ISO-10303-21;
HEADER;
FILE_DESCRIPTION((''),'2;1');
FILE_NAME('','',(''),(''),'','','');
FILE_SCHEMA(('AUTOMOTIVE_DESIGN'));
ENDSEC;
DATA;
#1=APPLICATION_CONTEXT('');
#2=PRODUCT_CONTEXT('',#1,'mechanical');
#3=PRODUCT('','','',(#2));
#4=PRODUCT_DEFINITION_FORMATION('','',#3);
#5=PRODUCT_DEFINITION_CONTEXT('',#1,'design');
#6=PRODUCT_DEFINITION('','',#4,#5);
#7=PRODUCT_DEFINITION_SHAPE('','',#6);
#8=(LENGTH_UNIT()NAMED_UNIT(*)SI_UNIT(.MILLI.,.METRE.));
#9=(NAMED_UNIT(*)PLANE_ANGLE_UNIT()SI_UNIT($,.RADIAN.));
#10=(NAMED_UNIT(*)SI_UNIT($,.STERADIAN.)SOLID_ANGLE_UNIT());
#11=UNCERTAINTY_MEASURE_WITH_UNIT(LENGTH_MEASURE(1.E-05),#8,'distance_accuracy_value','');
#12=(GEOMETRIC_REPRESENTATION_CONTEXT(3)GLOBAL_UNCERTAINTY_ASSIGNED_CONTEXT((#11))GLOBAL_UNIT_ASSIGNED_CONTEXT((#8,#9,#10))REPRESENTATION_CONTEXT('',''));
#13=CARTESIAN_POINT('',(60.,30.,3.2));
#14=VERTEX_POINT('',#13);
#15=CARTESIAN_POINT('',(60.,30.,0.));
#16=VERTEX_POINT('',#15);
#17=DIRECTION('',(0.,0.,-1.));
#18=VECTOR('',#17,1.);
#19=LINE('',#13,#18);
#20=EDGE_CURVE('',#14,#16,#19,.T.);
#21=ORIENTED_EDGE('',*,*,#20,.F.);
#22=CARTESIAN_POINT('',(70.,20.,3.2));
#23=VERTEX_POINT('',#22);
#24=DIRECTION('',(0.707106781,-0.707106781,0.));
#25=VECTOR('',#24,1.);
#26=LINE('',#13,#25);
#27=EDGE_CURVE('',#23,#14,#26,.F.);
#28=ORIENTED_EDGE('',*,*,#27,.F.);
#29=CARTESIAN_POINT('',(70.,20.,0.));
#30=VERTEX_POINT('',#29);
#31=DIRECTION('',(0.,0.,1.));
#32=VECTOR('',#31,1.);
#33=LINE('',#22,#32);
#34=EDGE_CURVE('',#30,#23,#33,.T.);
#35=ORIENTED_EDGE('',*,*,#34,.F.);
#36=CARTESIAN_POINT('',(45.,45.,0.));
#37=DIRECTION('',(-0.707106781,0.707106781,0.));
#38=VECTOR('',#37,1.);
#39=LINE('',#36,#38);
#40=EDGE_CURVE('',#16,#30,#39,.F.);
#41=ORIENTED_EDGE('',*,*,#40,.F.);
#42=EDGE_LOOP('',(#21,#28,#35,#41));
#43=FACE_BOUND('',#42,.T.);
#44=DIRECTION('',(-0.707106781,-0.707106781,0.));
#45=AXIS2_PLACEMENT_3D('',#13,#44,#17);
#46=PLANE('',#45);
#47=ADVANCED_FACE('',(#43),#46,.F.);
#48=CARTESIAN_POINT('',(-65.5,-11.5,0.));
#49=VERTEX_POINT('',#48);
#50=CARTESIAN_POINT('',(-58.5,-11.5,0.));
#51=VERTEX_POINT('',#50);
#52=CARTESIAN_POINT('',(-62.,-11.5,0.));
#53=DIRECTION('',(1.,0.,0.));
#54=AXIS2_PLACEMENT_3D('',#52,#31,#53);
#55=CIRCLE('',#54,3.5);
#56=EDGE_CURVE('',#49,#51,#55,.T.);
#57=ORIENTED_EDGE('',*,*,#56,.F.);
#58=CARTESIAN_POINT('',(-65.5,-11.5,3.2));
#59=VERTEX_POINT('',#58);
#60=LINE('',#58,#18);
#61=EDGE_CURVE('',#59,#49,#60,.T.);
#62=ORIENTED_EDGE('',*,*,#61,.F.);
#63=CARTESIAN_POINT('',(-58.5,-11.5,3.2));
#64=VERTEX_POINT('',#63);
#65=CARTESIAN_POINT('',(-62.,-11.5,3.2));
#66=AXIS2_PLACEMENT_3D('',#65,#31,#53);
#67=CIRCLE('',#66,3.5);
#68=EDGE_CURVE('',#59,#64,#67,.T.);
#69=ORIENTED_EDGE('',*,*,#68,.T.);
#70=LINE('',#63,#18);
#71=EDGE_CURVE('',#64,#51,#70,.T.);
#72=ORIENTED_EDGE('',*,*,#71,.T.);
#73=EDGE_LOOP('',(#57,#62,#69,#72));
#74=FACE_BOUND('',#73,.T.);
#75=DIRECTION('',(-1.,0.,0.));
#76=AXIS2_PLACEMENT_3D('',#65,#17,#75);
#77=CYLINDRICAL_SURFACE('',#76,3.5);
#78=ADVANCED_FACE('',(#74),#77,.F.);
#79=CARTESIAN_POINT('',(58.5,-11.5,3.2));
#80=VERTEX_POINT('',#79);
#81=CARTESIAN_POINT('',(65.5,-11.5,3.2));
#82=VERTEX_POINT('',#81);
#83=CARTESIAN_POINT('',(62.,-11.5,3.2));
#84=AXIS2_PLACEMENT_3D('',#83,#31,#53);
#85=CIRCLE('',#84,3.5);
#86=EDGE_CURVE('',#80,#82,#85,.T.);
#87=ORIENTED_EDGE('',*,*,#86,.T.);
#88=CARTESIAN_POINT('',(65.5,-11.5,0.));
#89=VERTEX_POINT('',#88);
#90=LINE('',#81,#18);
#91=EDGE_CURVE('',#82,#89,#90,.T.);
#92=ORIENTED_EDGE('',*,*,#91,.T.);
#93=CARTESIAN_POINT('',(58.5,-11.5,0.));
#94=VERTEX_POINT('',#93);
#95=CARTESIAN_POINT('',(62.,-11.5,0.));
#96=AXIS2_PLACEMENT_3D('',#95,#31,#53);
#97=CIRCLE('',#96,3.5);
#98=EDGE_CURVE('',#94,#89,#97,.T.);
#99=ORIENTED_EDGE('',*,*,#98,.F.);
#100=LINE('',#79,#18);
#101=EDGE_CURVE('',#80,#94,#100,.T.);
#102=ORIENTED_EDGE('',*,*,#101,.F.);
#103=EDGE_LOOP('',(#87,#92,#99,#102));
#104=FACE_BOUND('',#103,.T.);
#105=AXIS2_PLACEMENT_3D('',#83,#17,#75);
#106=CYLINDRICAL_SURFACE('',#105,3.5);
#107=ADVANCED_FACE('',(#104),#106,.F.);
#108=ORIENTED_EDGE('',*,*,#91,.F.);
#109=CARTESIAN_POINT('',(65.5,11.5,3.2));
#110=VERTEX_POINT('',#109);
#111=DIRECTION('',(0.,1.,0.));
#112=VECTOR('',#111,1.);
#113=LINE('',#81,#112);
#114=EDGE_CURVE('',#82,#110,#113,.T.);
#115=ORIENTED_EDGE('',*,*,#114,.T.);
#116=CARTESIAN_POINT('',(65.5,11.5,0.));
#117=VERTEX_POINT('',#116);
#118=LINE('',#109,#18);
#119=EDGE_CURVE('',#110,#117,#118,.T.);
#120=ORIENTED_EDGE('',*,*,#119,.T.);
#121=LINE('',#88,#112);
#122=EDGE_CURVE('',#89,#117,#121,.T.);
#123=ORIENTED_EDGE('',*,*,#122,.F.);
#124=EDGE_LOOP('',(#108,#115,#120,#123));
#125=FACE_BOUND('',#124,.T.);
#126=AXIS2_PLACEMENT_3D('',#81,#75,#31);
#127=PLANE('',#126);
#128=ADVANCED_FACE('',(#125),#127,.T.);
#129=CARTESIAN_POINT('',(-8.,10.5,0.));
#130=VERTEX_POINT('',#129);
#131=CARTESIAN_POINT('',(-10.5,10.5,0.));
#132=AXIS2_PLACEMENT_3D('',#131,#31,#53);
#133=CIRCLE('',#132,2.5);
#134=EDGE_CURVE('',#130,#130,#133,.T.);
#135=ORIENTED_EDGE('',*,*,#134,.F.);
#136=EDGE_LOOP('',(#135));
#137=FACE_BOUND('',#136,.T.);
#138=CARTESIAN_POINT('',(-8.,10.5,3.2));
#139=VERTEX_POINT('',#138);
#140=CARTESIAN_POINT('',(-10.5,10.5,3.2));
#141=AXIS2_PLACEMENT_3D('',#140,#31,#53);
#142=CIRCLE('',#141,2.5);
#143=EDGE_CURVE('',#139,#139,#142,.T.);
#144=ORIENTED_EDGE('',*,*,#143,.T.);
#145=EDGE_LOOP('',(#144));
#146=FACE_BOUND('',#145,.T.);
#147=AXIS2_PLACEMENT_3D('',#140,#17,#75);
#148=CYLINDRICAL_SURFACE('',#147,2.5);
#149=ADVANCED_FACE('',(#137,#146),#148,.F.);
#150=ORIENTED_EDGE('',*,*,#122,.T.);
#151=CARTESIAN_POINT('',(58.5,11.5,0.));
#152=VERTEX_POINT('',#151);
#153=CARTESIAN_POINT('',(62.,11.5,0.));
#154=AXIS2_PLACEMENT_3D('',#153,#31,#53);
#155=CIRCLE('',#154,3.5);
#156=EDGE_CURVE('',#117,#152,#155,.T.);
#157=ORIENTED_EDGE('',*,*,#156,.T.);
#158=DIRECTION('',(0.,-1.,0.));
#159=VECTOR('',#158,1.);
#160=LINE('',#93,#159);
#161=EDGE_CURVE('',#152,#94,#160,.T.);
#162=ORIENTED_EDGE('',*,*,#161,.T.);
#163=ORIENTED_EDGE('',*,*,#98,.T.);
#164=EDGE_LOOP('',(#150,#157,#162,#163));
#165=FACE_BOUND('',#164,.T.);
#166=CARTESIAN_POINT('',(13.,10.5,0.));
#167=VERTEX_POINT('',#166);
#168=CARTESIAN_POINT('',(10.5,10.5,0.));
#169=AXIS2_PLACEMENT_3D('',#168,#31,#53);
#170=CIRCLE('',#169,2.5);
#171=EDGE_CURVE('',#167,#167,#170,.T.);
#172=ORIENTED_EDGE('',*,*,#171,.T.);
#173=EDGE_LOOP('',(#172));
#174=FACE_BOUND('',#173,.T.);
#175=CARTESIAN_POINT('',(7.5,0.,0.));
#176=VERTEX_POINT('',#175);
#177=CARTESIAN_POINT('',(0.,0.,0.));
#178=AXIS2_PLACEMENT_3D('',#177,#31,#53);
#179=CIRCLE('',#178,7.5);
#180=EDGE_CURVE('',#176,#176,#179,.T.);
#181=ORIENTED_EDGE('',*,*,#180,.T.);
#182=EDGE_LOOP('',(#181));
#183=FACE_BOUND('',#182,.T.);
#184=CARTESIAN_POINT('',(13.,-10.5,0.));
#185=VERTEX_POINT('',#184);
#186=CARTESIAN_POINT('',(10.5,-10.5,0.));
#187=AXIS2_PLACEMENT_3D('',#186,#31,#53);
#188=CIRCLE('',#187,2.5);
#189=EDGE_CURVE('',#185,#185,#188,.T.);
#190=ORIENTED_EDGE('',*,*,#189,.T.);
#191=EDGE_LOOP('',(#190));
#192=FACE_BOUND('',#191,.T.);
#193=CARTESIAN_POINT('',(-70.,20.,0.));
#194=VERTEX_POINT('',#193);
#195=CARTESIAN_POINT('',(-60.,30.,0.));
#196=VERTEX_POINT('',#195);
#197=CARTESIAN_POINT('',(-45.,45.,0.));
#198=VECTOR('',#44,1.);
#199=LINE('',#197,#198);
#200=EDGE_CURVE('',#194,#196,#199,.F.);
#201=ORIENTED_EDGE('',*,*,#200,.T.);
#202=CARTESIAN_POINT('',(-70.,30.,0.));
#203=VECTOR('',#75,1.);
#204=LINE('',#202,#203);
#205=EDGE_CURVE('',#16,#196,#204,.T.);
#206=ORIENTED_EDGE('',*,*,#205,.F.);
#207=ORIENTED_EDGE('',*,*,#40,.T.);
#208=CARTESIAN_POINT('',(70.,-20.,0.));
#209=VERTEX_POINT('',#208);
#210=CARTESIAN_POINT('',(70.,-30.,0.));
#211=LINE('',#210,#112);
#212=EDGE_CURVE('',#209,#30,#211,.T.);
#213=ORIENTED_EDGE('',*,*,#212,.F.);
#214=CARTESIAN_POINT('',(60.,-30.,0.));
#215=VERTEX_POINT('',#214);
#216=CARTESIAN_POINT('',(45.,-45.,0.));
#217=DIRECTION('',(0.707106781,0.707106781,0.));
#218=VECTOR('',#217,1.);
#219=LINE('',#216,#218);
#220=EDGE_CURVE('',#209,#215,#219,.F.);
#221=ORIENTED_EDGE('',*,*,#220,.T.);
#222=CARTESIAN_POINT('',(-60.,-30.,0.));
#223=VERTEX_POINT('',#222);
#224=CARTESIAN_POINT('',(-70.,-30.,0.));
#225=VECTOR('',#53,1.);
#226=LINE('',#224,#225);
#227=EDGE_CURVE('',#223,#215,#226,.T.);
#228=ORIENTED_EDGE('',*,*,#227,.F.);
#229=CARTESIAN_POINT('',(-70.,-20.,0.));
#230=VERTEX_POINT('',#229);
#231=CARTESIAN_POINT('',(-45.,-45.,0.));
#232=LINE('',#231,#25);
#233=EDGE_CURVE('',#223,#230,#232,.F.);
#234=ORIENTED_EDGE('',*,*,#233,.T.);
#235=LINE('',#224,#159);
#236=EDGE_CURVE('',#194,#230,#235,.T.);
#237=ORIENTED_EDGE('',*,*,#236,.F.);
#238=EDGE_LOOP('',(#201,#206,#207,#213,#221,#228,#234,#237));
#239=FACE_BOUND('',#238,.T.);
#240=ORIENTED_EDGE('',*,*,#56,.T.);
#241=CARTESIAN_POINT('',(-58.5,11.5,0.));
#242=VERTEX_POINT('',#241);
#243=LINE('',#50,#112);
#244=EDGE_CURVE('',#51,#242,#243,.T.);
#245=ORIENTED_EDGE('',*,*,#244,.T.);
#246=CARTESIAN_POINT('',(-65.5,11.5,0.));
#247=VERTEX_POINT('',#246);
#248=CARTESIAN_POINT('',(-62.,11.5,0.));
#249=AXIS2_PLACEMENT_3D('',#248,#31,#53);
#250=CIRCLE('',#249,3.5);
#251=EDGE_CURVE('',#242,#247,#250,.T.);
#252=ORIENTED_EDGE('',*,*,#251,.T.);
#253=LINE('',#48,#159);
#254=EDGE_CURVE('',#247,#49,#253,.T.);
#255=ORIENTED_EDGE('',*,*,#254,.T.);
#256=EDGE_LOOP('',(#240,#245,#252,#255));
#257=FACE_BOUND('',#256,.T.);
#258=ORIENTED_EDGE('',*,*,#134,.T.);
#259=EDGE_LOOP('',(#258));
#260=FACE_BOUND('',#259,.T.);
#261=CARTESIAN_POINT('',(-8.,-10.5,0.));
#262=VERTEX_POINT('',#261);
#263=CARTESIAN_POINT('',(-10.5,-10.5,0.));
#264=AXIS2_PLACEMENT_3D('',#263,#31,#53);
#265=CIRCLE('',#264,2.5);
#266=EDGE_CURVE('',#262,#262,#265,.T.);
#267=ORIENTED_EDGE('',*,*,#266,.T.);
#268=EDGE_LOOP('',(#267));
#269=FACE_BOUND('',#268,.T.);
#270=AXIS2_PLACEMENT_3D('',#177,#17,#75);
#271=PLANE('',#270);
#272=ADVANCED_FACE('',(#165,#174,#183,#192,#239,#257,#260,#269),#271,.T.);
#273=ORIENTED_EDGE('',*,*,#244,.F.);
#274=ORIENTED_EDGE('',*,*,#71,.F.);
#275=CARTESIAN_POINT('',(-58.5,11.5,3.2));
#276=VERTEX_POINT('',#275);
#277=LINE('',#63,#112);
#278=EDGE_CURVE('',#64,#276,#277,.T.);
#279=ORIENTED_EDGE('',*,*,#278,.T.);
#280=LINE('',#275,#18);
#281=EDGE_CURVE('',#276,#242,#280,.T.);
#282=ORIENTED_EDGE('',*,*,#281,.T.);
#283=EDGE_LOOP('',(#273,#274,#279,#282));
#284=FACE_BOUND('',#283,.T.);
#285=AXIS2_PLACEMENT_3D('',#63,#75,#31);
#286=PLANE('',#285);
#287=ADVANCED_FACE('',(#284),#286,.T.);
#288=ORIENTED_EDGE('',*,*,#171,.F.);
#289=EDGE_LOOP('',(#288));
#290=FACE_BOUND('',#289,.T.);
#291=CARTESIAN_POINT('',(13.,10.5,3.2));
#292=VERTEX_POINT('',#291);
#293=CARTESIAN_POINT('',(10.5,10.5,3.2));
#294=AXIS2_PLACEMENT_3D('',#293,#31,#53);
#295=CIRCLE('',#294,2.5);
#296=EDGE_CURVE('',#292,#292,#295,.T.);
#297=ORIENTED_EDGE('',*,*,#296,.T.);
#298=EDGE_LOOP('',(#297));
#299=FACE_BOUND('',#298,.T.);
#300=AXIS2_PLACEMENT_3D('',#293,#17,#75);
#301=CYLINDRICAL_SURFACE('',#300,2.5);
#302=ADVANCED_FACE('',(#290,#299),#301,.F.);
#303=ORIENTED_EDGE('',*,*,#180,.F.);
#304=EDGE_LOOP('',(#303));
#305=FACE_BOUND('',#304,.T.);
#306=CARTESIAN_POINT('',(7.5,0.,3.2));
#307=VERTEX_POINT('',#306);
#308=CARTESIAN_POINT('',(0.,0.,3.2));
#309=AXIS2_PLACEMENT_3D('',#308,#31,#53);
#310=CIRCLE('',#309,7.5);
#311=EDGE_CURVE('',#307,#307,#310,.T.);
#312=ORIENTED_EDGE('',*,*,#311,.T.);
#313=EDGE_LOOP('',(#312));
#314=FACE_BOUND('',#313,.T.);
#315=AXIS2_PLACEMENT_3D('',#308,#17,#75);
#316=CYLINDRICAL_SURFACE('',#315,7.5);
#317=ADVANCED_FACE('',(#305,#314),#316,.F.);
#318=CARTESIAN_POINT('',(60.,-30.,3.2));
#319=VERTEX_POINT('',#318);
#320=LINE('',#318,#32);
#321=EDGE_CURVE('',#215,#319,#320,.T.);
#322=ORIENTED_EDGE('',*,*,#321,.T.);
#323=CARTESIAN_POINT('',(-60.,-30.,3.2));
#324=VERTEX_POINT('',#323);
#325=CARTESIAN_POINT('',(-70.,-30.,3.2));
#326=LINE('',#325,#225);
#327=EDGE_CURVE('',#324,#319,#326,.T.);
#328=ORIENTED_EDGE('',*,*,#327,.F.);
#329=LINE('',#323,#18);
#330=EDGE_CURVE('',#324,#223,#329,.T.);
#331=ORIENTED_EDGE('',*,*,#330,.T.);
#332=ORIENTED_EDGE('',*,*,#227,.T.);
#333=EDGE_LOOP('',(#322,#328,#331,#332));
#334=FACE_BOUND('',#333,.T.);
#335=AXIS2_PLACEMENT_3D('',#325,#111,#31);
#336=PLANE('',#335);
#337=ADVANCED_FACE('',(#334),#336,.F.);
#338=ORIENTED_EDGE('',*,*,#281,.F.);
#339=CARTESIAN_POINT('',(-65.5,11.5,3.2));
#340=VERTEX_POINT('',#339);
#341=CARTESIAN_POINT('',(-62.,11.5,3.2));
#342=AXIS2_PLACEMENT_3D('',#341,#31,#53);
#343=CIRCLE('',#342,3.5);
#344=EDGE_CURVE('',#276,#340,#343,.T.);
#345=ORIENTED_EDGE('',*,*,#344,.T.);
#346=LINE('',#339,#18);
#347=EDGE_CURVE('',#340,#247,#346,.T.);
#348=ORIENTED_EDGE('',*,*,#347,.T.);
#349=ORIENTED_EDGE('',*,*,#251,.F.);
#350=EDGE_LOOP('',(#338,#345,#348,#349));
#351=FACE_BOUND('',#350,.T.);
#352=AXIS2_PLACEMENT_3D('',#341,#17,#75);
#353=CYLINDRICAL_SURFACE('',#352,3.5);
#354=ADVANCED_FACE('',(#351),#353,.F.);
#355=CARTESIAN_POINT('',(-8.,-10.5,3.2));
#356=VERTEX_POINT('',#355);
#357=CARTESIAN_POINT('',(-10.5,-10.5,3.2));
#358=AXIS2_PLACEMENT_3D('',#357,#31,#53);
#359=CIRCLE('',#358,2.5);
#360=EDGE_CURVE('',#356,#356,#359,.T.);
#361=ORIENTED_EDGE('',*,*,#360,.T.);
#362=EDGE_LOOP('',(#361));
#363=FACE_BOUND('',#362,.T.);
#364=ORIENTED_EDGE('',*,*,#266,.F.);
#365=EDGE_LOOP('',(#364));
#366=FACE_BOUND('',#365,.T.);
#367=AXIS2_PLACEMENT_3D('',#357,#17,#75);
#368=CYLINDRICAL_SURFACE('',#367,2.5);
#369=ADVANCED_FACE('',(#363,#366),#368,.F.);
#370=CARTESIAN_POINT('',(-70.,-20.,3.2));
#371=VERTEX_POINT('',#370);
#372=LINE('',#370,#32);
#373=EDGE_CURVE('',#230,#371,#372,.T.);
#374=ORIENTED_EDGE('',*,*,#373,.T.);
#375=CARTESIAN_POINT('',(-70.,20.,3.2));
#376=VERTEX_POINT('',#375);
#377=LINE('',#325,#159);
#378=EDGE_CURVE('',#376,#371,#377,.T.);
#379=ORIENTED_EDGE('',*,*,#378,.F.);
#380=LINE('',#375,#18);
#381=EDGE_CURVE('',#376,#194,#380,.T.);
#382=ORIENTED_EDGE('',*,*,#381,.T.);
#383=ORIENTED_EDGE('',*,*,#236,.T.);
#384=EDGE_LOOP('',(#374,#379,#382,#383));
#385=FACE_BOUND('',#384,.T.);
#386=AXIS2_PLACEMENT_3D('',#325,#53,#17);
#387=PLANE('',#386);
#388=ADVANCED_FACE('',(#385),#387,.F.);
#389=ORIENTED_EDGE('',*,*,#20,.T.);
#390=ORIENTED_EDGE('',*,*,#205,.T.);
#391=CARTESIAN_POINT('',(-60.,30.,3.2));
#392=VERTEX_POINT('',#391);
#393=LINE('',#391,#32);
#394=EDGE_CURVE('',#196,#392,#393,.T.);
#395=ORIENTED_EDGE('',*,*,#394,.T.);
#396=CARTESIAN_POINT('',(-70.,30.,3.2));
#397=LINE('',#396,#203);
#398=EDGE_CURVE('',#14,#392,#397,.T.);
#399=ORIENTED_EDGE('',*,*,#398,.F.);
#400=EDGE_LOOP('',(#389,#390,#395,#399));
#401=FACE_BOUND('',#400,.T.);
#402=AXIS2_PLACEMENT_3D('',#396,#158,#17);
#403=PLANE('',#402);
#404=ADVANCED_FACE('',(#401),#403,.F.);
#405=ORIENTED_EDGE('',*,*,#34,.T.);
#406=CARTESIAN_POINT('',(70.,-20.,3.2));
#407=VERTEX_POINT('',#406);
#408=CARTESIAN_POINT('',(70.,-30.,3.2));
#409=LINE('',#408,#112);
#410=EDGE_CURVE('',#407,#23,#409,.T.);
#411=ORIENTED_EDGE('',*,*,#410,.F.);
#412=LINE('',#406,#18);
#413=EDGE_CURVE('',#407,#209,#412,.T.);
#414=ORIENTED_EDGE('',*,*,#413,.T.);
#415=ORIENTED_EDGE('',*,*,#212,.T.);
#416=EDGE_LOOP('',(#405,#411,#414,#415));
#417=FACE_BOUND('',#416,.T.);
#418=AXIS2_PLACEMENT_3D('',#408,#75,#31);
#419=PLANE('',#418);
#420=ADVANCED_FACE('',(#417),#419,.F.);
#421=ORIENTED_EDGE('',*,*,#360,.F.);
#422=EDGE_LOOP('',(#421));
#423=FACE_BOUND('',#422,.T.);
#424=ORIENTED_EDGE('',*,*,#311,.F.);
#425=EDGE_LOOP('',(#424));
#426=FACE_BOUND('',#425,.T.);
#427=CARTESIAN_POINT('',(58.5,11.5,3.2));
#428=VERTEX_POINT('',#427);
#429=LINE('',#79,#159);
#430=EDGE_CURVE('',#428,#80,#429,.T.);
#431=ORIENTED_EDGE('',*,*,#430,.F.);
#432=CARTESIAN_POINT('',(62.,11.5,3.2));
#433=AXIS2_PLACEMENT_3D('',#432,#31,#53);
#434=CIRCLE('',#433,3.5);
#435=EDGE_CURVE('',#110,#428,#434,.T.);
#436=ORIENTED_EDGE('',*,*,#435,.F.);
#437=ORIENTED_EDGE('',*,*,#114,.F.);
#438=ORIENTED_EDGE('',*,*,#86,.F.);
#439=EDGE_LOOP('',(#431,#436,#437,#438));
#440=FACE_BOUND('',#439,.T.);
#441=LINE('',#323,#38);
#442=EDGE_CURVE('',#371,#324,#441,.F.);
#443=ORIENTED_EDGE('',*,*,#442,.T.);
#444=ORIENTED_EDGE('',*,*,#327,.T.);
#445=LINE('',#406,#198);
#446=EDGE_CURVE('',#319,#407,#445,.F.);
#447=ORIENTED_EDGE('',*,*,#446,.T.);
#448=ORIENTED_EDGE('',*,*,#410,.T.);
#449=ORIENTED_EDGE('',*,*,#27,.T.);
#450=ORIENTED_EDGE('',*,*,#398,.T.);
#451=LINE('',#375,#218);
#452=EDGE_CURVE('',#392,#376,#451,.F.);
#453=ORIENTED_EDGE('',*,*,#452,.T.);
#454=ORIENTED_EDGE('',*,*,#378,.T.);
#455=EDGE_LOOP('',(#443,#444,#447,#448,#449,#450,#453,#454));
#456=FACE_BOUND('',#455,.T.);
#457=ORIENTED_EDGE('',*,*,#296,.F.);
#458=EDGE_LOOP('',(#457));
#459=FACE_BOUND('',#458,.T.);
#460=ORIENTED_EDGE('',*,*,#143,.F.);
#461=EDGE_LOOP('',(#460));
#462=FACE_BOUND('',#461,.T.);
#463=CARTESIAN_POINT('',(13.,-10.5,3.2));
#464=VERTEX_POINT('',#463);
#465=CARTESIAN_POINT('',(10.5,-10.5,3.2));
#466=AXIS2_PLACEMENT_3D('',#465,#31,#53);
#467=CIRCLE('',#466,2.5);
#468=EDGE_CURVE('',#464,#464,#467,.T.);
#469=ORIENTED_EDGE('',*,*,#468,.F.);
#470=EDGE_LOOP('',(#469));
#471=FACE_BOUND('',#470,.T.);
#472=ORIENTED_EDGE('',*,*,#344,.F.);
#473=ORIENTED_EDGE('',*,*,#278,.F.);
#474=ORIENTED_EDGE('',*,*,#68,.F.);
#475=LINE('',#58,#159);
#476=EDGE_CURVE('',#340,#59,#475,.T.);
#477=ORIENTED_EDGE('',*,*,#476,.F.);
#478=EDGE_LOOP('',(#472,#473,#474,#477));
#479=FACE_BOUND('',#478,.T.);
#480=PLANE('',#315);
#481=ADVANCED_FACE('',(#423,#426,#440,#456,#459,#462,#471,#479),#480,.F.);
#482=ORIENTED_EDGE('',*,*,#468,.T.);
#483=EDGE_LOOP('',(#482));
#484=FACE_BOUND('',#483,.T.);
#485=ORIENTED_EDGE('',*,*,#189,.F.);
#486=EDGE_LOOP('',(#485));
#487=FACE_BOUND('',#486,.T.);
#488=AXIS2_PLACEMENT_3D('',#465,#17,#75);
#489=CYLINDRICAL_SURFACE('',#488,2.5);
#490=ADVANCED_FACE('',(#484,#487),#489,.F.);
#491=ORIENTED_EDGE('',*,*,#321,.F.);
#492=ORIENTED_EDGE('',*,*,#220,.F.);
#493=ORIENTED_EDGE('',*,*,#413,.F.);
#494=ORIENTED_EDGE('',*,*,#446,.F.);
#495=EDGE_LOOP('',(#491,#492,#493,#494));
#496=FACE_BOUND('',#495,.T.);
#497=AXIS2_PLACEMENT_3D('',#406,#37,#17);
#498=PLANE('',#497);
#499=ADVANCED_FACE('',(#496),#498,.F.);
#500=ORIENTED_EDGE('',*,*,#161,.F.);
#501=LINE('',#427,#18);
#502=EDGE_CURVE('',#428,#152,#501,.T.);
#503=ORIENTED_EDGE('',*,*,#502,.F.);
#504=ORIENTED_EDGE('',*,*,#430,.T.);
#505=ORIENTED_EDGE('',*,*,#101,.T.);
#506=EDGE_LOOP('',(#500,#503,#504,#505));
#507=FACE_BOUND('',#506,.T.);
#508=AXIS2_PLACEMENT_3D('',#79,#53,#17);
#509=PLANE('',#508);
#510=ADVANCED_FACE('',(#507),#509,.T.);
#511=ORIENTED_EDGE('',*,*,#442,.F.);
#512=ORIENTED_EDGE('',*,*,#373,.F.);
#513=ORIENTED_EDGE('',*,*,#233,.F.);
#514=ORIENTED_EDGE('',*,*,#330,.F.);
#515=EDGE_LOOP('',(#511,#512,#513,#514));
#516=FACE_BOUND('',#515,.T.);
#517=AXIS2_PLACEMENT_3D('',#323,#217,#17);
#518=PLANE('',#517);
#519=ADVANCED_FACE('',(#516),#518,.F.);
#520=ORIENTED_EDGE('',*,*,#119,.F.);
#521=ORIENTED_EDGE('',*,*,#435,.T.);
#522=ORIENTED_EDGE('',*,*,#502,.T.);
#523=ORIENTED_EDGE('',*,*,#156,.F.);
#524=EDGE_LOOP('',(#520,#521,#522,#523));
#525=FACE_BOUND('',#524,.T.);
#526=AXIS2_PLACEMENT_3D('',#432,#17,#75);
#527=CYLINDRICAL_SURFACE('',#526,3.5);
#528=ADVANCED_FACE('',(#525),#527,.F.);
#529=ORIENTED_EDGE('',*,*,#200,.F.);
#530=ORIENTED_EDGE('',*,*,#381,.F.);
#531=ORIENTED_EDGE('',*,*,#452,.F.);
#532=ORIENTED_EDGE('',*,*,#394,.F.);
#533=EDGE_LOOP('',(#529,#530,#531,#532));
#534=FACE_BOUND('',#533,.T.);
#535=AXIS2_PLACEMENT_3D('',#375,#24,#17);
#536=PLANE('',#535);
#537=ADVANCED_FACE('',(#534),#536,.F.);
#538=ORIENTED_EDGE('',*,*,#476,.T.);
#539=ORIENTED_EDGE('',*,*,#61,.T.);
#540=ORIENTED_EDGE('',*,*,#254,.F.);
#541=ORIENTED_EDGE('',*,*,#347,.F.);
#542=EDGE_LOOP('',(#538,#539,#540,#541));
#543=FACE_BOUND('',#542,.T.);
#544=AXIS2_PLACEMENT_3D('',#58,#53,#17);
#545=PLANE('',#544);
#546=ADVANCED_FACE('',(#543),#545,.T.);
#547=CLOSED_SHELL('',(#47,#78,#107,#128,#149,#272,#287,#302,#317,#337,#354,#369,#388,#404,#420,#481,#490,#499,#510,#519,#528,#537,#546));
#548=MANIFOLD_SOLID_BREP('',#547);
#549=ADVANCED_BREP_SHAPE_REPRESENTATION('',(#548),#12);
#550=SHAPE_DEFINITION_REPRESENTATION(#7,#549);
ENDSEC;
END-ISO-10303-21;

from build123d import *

# Parameters (mm, degrees)
SKETCH1_W           = 140
SKETCH1_H           = 60
SKETCH1_R           = 7.5
SKETCH1_R_2         = 2.5
BOSS_EXTRUDE1_DEPTH = 3.2
CHAMFER1_SIZE       = 10


with BuildPart() as part:
    # Sketch1 → Boss-Extrude1 (new body)
    with BuildSketch(Plane.XY):
        Rectangle(SKETCH1_W, SKETCH1_H)
        Circle(SKETCH1_R, mode=Mode.SUBTRACT)
        with Locations((-10.5, 10.5)):
            Circle(SKETCH1_R_2, mode=Mode.SUBTRACT)
        with Locations((10.5, 10.5)):
            Circle(SKETCH1_R_2, mode=Mode.SUBTRACT)
        with Locations((10.5, -10.5)):
            Circle(SKETCH1_R_2, mode=Mode.SUBTRACT)
        with Locations((-10.5, -10.5)):
            Circle(SKETCH1_R_2, mode=Mode.SUBTRACT)
        with BuildLine():
            Line((-65.5, -11.5), (-65.5, 11.5))
            ThreePointArc((-65.5, 11.5), (-62, 15), (-58.5, 11.5))
            Line((-58.5, 11.5), (-58.5, -11.5))
            ThreePointArc((-58.5, -11.5), (-62, -15), (-65.5, -11.5))
        make_face(mode=Mode.SUBTRACT)
        with BuildLine():
            Line((58.5, -11.5), (58.5, 11.5))
            ThreePointArc((58.5, 11.5), (62, 15), (65.5, 11.5))
            Line((65.5, 11.5), (65.5, -11.5))
            ThreePointArc((65.5, -11.5), (62, -15), (58.5, -11.5))
        make_face(mode=Mode.SUBTRACT)
    extrude(amount=BOSS_EXTRUDE1_DEPTH)

    # Chamfer1
    chamfer1_edges = [part.edges().sort_by_distance(p)[0] for p in [
        (70, -30, 1.6),
        (-70, -30, 1.6),
        (-70, 30, 1.6),
        (70, 30, 1.6),
    ]]
    chamfer(chamfer1_edges, length=CHAMFER1_SIZE)


solid = part.part
